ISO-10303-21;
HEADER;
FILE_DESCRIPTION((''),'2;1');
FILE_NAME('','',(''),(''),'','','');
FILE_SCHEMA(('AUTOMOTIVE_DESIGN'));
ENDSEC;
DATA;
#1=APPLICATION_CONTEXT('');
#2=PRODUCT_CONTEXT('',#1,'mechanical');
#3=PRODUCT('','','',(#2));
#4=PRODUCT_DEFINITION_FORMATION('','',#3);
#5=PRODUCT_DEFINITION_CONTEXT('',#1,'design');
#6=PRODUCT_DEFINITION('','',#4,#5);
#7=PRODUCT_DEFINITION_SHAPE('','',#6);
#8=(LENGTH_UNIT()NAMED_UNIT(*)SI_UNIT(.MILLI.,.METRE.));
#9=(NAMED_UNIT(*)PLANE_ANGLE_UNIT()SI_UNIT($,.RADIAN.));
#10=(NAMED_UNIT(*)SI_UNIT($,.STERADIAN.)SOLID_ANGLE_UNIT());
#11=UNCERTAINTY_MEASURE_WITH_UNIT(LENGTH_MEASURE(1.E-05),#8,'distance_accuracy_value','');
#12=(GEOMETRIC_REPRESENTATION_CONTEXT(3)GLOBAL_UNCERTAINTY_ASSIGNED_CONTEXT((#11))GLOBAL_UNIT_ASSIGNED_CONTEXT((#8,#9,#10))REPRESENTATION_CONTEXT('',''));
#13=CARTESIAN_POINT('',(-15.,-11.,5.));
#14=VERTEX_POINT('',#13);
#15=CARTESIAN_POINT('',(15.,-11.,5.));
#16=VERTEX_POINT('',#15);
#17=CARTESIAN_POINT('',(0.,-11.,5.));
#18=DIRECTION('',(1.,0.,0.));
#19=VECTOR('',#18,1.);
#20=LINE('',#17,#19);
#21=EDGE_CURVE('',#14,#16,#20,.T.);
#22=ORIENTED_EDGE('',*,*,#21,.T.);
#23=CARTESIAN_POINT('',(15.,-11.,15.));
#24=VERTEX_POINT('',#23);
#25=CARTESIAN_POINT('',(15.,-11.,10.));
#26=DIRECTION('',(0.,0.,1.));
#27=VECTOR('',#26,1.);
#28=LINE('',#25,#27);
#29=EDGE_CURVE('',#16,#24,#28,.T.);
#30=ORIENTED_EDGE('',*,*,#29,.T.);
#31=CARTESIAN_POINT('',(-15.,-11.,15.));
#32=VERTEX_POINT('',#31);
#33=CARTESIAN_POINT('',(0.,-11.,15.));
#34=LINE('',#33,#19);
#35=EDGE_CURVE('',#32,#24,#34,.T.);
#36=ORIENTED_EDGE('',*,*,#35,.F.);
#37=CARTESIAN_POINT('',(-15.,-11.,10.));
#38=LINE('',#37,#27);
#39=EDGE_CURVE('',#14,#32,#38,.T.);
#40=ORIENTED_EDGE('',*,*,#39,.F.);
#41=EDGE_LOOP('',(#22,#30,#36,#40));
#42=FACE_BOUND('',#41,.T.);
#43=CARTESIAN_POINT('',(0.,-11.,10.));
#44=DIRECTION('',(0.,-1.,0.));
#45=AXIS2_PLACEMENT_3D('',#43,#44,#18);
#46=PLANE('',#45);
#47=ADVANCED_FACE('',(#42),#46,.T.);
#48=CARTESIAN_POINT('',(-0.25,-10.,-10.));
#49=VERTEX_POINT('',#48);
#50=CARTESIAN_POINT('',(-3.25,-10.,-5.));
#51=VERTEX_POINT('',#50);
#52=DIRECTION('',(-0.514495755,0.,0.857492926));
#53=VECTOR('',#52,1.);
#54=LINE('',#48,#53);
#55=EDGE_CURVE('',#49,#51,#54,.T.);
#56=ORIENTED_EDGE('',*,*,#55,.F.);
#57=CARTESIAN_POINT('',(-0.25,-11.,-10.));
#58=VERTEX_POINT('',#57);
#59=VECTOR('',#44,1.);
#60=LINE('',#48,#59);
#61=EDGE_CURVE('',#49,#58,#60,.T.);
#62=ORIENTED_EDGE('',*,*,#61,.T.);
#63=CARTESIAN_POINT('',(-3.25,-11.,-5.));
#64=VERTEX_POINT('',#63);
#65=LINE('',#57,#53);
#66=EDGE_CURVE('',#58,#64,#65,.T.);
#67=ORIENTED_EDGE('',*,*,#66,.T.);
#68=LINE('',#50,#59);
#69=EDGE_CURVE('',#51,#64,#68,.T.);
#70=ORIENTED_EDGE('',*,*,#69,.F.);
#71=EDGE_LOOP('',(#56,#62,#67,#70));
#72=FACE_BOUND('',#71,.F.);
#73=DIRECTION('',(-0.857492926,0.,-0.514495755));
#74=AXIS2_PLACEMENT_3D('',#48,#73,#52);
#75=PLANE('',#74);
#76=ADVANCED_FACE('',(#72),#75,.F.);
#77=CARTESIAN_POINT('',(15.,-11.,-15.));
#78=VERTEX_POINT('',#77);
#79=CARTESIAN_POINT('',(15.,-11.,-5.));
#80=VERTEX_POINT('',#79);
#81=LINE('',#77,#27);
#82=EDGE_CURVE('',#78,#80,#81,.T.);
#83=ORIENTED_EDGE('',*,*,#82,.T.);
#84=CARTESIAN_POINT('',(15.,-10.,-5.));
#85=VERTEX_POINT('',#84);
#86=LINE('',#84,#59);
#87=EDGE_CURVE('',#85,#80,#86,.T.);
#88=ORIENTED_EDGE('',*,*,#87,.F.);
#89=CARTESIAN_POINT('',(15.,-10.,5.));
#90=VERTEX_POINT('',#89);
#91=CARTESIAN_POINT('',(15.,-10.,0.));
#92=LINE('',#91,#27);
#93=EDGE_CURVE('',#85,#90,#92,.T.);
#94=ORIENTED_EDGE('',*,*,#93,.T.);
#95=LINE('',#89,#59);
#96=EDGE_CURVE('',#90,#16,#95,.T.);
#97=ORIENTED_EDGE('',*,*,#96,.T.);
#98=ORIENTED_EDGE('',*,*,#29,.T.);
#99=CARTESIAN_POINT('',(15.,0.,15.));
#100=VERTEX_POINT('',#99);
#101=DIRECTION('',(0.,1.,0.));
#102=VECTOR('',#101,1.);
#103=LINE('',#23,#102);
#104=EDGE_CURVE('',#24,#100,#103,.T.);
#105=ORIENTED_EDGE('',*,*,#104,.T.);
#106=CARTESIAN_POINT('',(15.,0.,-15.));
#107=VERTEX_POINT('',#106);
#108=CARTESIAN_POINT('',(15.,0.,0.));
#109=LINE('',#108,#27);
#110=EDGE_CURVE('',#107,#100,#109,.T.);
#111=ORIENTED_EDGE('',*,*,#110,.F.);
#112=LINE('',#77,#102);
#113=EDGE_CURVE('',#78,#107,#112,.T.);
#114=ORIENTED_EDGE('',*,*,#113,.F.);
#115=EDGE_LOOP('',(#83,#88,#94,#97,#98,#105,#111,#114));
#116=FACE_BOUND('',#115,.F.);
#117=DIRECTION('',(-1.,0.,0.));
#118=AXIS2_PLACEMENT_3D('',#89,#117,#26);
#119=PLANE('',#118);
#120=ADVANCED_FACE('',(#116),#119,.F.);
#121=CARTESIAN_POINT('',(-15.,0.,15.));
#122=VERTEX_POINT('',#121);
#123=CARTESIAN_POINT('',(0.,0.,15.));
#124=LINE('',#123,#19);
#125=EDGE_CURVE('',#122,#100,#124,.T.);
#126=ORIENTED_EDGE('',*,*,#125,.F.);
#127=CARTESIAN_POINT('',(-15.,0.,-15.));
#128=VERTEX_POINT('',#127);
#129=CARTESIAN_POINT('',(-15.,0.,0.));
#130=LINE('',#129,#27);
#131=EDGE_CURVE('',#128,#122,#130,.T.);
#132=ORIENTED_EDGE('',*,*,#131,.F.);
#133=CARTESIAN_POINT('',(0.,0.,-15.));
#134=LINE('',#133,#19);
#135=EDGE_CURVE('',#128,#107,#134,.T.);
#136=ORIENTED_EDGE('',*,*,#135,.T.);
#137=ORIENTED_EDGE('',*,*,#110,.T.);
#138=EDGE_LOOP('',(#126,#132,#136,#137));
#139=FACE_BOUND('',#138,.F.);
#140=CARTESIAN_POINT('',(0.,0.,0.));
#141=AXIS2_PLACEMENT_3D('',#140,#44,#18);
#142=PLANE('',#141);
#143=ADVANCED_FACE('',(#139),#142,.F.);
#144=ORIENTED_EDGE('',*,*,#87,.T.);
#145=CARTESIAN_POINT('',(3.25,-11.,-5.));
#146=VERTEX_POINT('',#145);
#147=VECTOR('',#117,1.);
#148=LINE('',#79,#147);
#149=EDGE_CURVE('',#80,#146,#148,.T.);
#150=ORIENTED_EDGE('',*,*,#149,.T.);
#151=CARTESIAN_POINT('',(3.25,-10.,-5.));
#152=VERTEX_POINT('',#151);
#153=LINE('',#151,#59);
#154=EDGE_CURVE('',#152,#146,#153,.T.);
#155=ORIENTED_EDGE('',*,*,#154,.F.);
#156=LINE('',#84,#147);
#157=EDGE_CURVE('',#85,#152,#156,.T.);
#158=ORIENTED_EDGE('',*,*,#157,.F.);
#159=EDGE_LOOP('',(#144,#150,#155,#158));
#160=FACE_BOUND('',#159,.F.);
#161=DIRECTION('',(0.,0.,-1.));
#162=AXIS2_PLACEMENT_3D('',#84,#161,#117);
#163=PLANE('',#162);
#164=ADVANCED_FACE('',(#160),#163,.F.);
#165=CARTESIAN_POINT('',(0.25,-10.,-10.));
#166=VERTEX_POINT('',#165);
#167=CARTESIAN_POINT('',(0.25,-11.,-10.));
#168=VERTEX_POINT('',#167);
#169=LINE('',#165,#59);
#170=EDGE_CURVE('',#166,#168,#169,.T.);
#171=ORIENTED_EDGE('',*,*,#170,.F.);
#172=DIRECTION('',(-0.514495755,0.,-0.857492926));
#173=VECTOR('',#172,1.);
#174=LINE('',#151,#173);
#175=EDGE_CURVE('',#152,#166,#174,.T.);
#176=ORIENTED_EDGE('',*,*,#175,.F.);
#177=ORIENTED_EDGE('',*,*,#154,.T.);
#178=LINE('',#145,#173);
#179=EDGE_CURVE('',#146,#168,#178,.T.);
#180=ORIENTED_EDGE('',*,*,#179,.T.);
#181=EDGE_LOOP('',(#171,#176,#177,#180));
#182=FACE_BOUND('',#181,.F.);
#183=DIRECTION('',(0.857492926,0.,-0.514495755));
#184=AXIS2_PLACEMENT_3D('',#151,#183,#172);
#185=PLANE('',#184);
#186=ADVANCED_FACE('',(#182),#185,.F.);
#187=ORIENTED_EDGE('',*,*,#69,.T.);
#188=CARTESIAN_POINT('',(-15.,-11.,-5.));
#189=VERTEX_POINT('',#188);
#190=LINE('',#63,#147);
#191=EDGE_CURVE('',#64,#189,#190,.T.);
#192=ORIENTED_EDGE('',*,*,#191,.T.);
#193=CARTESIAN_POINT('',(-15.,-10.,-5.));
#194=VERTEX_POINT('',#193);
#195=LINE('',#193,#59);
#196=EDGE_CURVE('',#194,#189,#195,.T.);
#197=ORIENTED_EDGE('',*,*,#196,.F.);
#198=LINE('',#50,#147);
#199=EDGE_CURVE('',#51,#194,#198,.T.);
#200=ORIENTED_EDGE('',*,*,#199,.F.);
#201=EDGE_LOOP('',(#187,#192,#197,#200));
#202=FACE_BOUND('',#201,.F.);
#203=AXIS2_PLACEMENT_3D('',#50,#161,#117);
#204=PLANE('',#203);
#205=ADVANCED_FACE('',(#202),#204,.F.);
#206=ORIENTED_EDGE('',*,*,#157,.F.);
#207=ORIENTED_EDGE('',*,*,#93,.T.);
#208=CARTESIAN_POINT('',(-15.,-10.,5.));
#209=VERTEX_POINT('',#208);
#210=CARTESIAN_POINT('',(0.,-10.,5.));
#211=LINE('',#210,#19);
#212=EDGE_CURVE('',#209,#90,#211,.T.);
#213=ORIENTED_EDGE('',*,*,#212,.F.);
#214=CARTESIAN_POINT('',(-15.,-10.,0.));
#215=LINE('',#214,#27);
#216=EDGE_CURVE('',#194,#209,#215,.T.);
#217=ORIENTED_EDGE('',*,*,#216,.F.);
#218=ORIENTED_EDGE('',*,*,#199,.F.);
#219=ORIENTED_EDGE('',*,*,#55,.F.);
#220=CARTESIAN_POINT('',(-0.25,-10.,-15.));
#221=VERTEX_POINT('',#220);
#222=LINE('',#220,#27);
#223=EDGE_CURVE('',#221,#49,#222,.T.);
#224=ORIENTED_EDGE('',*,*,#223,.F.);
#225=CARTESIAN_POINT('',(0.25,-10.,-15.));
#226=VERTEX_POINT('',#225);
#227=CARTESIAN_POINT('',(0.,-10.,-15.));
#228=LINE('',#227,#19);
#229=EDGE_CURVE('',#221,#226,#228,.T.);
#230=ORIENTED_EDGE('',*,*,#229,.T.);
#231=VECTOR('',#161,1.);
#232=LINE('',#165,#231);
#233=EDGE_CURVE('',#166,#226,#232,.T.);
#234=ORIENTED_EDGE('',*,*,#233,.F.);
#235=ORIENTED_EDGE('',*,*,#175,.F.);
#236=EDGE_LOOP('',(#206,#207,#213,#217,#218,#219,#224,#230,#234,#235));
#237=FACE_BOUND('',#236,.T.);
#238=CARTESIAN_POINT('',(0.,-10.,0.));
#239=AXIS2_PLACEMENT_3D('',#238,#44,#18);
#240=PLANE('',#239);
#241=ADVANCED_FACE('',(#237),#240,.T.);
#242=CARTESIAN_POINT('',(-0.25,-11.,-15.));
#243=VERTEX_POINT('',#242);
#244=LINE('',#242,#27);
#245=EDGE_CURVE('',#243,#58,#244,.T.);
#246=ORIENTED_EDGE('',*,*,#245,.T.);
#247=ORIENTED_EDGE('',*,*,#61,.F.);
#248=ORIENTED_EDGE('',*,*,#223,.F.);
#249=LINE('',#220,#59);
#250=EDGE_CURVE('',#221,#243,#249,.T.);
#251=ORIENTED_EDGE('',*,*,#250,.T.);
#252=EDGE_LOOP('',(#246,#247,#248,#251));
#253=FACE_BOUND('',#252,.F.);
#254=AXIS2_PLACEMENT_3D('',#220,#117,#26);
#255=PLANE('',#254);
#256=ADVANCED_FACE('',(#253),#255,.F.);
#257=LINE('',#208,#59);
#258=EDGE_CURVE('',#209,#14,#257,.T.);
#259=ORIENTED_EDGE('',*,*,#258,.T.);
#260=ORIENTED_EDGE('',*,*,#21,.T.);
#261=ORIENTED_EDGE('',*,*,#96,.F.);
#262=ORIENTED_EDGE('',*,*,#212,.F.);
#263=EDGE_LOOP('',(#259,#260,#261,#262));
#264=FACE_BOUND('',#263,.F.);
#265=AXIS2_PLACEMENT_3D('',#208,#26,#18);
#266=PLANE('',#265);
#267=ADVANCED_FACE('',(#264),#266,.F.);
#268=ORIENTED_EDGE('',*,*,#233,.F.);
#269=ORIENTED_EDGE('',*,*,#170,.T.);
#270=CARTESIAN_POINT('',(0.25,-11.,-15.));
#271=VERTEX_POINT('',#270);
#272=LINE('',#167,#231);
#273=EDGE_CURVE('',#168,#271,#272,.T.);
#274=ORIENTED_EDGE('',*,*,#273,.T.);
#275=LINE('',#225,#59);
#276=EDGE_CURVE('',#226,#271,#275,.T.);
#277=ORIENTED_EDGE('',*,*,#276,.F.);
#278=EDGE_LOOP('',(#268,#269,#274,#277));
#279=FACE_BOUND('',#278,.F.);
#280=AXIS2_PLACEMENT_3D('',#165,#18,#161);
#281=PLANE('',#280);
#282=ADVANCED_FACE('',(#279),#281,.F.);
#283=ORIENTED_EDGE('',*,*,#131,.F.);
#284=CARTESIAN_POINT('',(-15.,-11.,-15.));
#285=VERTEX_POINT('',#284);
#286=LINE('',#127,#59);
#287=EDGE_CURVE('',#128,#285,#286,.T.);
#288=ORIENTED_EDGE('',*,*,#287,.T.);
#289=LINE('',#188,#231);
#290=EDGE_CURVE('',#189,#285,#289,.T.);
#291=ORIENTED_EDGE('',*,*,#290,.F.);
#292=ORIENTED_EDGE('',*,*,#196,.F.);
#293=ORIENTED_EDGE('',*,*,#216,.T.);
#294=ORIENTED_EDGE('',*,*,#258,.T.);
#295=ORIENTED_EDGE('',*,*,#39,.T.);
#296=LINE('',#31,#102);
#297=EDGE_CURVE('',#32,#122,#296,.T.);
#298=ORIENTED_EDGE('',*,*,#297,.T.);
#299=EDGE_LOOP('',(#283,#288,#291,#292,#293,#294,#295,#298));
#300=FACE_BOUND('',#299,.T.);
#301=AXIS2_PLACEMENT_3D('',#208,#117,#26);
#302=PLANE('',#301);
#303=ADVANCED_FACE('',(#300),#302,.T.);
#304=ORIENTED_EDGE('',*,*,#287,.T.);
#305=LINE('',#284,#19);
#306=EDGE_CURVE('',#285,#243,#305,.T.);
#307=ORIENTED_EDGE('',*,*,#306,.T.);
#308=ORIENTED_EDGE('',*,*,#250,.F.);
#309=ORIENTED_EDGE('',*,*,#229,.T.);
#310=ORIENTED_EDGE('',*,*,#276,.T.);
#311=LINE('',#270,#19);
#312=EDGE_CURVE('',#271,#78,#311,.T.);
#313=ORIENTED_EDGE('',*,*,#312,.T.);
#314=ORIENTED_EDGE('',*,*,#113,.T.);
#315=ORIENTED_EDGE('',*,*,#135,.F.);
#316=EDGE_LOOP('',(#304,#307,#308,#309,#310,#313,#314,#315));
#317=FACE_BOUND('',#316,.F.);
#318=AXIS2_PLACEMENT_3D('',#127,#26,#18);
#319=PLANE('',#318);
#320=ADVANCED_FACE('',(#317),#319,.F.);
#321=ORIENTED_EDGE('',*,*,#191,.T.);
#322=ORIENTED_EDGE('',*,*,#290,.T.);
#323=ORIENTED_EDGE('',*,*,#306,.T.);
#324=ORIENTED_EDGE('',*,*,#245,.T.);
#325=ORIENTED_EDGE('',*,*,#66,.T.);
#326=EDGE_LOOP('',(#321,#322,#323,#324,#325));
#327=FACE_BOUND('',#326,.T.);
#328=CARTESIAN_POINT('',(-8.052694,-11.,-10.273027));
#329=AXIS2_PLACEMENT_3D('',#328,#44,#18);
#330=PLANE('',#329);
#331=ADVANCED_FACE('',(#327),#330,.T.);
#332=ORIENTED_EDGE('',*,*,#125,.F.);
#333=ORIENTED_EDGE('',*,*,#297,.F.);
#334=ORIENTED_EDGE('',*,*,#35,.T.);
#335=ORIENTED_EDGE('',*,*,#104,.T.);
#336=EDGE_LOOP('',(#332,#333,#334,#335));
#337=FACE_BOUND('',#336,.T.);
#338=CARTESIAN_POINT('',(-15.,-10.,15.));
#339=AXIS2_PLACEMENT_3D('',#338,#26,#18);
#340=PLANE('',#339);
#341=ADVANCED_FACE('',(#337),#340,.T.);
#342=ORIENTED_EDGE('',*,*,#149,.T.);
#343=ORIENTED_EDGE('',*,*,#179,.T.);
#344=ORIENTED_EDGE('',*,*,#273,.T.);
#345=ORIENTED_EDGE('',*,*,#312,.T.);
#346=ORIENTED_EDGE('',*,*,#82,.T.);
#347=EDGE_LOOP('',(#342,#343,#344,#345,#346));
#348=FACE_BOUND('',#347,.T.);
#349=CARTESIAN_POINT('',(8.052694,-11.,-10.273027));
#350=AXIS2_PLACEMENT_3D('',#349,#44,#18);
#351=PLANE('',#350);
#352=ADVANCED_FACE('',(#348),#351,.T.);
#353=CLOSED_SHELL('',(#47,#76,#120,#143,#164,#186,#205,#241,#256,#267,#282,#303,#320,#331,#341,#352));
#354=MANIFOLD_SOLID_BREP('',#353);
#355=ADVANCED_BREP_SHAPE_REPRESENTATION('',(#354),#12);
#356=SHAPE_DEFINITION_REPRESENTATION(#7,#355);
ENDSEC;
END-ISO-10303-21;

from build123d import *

# Parameters (mm, degrees)
F0_W     = 30
F0_H     = 30
F1_DEPTH = 10
F2_W     = 30
F2_H     = 10
F3_DEPTH = 1


with BuildPart() as f1:
    # F0 (on Front) → F1 (new body)
    with BuildSketch(Plane.XZ):
        Rectangle(F0_W, F0_H)
    extrude(amount=F1_DEPTH)

    # F2 (on face) → F3 (join)
    with BuildSketch(Plane.XZ.offset(10)):
        with Locations((0, 10)):
            Rectangle(F2_W, F2_H)
        Polygon((-3.25, -5), (-15, -5), (-15, -15), (-0.25, -15), (-0.25, -10), align=None)
        Polygon((15, -15), (15, -5), (3.25, -5), (0.25, -10), (0.25, -15), align=None)
    extrude(amount=F3_DEPTH)


solid = f1.part
